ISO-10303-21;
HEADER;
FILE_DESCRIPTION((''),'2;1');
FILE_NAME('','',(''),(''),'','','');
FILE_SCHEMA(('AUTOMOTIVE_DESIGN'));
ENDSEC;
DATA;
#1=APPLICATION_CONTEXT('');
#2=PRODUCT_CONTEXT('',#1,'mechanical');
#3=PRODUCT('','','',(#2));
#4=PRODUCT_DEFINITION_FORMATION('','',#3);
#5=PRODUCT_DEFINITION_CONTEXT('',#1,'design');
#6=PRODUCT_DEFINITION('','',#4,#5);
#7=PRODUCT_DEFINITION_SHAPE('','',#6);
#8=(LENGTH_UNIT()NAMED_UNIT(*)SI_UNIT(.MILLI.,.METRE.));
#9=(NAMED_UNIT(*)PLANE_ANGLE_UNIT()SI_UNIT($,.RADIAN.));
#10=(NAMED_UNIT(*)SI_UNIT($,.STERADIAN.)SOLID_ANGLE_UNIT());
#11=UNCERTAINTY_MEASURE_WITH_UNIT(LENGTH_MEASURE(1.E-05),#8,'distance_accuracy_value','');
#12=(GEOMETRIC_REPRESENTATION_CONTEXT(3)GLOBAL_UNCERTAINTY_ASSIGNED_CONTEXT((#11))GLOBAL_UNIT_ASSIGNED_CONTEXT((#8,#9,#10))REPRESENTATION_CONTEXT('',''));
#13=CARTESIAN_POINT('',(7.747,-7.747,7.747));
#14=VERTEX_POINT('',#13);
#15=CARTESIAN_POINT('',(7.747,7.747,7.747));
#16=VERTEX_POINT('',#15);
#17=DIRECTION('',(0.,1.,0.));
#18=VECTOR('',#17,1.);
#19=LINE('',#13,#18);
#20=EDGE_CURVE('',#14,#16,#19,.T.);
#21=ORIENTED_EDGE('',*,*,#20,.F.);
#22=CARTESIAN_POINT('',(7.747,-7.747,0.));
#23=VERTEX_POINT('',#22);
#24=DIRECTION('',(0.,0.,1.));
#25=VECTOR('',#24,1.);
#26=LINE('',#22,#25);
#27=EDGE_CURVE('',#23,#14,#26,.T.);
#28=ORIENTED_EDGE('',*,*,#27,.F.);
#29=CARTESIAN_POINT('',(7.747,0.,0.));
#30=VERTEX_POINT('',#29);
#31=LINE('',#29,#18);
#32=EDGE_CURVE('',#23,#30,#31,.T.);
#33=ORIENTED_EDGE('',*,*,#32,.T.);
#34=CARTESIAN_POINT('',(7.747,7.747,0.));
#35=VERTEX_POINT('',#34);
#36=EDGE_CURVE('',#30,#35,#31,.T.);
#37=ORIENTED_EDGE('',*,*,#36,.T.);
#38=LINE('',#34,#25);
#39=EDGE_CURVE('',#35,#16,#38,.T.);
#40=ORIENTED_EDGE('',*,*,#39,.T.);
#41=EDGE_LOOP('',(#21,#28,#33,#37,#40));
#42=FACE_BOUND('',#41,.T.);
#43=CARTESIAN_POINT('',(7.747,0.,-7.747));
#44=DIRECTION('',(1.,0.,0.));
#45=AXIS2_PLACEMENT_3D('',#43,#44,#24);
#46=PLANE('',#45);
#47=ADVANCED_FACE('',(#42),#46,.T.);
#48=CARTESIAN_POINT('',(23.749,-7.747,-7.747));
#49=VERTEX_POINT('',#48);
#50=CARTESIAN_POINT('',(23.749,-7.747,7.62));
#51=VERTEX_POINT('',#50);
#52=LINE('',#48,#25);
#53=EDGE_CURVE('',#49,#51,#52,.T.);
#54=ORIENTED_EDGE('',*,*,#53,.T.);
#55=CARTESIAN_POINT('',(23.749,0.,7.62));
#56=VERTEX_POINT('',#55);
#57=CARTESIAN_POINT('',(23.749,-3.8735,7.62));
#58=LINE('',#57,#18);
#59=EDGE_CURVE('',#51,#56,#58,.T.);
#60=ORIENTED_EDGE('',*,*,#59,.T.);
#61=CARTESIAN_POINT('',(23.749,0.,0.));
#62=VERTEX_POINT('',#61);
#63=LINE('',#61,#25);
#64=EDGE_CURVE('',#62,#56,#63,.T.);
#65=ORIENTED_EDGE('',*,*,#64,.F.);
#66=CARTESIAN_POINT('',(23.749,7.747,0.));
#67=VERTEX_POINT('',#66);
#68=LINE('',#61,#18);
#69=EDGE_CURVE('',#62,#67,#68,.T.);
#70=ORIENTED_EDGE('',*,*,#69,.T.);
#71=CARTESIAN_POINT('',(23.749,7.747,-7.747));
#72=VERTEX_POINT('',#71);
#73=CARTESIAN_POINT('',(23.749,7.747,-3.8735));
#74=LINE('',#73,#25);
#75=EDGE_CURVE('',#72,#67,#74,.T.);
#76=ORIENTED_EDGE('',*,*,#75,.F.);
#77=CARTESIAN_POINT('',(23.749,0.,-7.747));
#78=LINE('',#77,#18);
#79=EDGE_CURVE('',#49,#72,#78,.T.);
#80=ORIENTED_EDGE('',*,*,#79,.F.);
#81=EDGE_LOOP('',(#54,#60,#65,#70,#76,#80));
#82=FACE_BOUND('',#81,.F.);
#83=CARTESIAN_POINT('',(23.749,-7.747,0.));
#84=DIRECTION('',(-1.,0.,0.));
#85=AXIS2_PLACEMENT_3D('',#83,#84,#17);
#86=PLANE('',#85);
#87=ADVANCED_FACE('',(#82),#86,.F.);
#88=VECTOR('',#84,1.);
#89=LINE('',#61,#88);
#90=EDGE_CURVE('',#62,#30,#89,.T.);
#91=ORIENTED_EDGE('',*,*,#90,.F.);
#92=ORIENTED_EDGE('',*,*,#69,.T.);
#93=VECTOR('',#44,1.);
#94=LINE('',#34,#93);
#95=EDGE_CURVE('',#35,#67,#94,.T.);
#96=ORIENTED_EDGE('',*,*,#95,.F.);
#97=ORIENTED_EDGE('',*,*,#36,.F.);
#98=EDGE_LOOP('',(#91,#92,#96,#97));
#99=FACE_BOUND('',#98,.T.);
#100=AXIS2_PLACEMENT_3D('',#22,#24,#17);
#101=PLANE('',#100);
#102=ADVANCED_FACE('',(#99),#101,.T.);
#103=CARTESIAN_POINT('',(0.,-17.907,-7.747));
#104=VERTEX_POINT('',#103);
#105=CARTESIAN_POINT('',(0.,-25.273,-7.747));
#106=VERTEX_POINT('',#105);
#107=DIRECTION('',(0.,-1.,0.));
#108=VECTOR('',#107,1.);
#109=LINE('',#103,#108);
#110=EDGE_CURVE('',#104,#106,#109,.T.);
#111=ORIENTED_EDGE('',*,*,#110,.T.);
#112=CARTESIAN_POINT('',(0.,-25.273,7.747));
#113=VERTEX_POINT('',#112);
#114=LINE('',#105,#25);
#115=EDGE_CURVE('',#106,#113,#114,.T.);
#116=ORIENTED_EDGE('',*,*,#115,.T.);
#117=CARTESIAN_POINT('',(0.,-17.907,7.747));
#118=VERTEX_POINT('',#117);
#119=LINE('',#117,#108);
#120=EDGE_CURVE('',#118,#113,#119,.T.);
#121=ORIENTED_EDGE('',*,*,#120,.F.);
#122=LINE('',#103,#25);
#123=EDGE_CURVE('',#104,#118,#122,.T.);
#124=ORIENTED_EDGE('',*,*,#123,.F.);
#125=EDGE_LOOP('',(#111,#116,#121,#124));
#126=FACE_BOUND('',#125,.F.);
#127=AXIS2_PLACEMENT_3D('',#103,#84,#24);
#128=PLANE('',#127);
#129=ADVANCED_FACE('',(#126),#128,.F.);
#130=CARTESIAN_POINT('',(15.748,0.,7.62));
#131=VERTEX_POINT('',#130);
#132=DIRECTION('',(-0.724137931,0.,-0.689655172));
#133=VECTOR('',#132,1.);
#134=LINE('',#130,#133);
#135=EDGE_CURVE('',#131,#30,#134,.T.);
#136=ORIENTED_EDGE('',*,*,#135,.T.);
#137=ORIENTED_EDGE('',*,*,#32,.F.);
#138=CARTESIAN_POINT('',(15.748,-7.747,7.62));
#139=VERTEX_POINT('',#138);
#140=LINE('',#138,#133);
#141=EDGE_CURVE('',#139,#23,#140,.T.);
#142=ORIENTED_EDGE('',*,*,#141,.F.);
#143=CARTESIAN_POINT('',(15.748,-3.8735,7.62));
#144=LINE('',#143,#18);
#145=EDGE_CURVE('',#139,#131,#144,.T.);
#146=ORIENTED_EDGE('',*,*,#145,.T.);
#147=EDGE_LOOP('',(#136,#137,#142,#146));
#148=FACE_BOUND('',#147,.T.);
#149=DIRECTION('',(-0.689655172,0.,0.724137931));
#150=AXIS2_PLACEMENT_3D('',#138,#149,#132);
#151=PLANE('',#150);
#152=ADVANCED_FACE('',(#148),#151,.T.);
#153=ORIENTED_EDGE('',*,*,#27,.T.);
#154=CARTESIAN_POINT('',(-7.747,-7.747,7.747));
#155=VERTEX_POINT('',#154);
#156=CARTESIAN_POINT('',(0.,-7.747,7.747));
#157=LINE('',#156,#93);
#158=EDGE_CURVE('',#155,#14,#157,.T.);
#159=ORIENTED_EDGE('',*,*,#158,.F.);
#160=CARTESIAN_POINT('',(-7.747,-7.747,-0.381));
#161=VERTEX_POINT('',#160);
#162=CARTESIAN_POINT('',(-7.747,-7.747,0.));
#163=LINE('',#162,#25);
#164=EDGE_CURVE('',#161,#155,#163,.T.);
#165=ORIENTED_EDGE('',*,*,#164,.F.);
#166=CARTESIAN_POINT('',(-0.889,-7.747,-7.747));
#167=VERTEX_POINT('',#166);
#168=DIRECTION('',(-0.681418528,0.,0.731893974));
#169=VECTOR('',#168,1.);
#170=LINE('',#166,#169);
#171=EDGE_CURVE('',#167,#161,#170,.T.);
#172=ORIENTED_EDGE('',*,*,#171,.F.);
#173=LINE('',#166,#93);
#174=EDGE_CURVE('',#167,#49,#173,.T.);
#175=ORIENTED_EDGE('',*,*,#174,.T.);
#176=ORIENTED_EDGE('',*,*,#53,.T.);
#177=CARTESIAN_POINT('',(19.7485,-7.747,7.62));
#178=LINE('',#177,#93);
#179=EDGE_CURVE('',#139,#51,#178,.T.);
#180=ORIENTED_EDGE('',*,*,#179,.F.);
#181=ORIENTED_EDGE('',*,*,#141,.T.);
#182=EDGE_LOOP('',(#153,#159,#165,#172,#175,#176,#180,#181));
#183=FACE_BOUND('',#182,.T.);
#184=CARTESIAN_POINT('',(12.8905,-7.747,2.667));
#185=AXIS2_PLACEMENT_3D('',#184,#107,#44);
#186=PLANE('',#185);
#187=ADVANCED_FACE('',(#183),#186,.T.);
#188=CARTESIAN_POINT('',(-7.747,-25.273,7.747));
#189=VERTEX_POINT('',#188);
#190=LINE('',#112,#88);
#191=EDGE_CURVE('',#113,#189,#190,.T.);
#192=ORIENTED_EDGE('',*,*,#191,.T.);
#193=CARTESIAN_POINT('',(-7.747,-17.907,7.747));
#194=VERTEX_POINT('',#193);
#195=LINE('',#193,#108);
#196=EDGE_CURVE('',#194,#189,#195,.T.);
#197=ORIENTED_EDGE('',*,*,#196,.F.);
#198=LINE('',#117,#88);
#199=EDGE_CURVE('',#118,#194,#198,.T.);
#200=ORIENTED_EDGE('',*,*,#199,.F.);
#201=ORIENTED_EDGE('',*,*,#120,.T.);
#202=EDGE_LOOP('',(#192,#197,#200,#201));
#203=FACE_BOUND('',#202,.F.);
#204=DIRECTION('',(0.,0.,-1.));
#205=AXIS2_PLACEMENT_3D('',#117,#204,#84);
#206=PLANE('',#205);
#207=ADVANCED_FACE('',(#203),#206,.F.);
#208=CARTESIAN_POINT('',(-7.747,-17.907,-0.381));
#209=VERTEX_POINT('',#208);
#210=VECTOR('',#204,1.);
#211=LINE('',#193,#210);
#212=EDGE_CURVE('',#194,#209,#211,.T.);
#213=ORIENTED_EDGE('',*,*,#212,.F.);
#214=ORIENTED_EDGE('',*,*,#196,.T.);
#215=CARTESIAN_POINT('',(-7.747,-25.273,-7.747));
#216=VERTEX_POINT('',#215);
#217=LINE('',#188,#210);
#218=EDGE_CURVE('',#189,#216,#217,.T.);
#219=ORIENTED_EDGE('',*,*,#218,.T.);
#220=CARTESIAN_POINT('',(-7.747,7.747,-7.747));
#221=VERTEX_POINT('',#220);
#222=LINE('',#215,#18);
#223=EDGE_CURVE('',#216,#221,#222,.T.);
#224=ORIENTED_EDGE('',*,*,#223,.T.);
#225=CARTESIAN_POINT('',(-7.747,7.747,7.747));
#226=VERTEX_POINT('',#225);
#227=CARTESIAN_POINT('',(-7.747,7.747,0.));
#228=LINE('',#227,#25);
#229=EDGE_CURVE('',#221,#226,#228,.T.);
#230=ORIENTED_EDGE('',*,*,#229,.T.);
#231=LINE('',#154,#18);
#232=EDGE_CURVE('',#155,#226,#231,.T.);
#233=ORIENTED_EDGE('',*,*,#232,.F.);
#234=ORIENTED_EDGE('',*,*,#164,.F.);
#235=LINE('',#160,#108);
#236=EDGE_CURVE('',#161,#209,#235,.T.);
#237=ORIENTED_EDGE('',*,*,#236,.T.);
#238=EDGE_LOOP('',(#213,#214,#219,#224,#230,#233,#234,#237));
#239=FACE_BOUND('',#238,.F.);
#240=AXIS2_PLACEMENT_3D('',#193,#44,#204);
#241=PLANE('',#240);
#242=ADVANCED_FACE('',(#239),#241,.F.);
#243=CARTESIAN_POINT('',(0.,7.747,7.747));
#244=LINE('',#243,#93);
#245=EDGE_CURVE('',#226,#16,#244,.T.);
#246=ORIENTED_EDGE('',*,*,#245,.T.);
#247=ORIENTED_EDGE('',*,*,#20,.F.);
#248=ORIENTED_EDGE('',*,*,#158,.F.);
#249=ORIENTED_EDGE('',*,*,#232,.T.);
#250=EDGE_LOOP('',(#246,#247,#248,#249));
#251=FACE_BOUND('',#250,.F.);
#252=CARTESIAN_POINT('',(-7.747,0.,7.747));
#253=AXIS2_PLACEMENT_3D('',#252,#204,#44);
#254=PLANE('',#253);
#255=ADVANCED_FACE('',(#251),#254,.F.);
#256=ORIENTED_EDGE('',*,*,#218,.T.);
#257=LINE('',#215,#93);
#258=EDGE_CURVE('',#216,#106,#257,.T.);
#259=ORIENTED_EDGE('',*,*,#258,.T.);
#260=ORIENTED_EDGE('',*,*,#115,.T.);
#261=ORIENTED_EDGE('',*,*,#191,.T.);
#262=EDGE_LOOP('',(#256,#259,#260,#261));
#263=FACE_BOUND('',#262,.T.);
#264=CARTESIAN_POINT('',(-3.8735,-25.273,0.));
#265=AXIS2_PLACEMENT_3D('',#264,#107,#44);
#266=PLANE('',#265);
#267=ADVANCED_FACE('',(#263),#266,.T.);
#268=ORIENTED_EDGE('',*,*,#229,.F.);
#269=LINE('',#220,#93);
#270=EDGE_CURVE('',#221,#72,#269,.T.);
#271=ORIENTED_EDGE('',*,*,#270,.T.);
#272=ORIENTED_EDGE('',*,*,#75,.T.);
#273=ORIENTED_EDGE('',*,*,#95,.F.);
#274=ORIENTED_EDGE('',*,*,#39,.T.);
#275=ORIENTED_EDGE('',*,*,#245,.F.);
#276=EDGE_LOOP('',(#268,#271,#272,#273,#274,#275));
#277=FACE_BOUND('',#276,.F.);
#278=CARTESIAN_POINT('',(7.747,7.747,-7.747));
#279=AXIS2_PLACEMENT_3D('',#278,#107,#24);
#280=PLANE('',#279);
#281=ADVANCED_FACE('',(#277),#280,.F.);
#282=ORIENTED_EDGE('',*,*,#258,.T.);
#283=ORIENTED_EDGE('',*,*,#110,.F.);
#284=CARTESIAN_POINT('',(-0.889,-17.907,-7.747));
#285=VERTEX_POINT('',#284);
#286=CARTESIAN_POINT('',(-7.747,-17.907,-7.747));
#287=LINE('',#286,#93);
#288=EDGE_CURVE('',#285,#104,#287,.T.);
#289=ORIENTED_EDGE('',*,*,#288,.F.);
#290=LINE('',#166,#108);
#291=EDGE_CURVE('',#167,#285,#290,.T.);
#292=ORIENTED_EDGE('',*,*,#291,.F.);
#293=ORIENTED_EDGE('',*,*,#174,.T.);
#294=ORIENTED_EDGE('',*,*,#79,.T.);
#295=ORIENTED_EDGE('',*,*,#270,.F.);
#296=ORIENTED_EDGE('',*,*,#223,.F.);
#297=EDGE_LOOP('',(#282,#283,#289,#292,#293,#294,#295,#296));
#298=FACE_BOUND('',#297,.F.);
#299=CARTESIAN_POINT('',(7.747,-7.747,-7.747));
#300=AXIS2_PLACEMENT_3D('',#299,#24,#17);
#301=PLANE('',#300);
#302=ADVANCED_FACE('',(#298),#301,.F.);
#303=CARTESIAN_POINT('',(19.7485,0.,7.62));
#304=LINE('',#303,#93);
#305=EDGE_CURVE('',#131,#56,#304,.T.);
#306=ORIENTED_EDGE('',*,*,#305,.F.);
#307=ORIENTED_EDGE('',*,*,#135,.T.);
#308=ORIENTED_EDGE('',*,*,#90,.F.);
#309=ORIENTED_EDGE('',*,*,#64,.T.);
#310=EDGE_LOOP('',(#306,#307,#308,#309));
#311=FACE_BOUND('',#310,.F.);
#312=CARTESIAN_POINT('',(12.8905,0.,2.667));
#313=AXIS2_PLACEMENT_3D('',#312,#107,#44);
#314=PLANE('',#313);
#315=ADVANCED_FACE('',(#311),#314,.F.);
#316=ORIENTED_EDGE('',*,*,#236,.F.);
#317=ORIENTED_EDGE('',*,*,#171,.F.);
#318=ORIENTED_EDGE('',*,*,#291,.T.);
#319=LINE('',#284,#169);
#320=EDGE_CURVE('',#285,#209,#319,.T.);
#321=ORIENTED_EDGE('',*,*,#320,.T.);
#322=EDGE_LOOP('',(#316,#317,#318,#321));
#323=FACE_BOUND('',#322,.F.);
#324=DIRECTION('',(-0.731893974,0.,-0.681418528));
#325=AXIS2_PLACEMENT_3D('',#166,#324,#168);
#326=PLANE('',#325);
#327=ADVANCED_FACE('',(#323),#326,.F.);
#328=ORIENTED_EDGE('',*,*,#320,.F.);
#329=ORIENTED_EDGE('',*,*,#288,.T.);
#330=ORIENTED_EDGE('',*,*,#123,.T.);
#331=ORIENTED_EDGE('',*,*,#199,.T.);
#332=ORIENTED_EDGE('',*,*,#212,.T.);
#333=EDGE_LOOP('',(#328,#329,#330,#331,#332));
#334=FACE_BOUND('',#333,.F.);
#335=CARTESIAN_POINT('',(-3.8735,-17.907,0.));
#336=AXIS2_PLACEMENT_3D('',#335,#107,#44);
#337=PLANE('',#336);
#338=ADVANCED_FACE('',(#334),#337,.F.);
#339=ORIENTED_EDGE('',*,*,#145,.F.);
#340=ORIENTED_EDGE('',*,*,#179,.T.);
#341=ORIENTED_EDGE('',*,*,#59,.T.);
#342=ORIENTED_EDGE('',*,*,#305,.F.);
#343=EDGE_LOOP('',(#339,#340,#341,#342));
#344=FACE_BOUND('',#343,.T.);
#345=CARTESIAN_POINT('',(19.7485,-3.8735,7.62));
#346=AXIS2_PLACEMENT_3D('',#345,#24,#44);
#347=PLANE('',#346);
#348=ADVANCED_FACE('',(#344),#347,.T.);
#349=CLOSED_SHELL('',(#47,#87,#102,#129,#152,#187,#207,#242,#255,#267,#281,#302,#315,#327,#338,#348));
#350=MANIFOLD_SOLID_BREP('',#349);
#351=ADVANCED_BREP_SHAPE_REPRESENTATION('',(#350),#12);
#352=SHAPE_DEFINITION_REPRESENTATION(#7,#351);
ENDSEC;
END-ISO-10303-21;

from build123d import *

# Parameters (mm, degrees)
F0_W      = 15.494
F0_H      = 15.494
F1_DEPTH  = 7.747
F3_DEPTH  = 10.16
F5_DEPTH  = 7.366
F6_W      = 15.494
F6_H      = 7.747
F7_DEPTH  = 16.002
F8_W      = 8.001
F8_H      = 7.747
F9_DEPTH  = 7.62
F11_DEPTH = 7.747


with BuildPart() as f1:
    # F0 (on Front) → F1 (new body, symmetric)
    with BuildSketch(Plane.XZ):
        Rectangle(F0_W, F0_H)
    extrude(amount=F1_DEPTH, both=True)

    # F2 (on face) → F3 (join)
    with BuildSketch(Plane.XZ.offset(7.747)):
        Polygon((-7.747, -0.381), (-7.747, -7.747), (-0.889, -7.747), align=None)
    extrude(amount=F3_DEPTH)

    # F4 (on face) → F5 (join)
    with BuildSketch(Plane.XZ.offset(17.907)):
        Polygon((0, -7.747), (0, 7.747), (-7.747, 7.747), (-7.747, -7.747), (-0.889, -7.747), align=None)
    extrude(amount=F5_DEPTH)

    # F6 (on face) → F7 (join)
    with BuildSketch(Plane.YZ.offset(7.747)):
        with Locations((0, -3.8735)):
            Rectangle(F6_W, F6_H)
    extrude(amount=F7_DEPTH)

    # F8 (on face) → F9 (join)
    with BuildSketch(Plane.XY):
        with Locations((19.7485, -3.8735)):
            Rectangle(F8_W, F8_H)
    extrude(amount=F9_DEPTH)

    # F10 (on face) → F11 (join)
    with BuildSketch(Plane.XZ.offset(7.747)):
        Polygon((15.748, 7.62), (7.747, 0), (15.748, 0), align=None)
    extrude(amount=-F11_DEPTH)


solid = f1.part
